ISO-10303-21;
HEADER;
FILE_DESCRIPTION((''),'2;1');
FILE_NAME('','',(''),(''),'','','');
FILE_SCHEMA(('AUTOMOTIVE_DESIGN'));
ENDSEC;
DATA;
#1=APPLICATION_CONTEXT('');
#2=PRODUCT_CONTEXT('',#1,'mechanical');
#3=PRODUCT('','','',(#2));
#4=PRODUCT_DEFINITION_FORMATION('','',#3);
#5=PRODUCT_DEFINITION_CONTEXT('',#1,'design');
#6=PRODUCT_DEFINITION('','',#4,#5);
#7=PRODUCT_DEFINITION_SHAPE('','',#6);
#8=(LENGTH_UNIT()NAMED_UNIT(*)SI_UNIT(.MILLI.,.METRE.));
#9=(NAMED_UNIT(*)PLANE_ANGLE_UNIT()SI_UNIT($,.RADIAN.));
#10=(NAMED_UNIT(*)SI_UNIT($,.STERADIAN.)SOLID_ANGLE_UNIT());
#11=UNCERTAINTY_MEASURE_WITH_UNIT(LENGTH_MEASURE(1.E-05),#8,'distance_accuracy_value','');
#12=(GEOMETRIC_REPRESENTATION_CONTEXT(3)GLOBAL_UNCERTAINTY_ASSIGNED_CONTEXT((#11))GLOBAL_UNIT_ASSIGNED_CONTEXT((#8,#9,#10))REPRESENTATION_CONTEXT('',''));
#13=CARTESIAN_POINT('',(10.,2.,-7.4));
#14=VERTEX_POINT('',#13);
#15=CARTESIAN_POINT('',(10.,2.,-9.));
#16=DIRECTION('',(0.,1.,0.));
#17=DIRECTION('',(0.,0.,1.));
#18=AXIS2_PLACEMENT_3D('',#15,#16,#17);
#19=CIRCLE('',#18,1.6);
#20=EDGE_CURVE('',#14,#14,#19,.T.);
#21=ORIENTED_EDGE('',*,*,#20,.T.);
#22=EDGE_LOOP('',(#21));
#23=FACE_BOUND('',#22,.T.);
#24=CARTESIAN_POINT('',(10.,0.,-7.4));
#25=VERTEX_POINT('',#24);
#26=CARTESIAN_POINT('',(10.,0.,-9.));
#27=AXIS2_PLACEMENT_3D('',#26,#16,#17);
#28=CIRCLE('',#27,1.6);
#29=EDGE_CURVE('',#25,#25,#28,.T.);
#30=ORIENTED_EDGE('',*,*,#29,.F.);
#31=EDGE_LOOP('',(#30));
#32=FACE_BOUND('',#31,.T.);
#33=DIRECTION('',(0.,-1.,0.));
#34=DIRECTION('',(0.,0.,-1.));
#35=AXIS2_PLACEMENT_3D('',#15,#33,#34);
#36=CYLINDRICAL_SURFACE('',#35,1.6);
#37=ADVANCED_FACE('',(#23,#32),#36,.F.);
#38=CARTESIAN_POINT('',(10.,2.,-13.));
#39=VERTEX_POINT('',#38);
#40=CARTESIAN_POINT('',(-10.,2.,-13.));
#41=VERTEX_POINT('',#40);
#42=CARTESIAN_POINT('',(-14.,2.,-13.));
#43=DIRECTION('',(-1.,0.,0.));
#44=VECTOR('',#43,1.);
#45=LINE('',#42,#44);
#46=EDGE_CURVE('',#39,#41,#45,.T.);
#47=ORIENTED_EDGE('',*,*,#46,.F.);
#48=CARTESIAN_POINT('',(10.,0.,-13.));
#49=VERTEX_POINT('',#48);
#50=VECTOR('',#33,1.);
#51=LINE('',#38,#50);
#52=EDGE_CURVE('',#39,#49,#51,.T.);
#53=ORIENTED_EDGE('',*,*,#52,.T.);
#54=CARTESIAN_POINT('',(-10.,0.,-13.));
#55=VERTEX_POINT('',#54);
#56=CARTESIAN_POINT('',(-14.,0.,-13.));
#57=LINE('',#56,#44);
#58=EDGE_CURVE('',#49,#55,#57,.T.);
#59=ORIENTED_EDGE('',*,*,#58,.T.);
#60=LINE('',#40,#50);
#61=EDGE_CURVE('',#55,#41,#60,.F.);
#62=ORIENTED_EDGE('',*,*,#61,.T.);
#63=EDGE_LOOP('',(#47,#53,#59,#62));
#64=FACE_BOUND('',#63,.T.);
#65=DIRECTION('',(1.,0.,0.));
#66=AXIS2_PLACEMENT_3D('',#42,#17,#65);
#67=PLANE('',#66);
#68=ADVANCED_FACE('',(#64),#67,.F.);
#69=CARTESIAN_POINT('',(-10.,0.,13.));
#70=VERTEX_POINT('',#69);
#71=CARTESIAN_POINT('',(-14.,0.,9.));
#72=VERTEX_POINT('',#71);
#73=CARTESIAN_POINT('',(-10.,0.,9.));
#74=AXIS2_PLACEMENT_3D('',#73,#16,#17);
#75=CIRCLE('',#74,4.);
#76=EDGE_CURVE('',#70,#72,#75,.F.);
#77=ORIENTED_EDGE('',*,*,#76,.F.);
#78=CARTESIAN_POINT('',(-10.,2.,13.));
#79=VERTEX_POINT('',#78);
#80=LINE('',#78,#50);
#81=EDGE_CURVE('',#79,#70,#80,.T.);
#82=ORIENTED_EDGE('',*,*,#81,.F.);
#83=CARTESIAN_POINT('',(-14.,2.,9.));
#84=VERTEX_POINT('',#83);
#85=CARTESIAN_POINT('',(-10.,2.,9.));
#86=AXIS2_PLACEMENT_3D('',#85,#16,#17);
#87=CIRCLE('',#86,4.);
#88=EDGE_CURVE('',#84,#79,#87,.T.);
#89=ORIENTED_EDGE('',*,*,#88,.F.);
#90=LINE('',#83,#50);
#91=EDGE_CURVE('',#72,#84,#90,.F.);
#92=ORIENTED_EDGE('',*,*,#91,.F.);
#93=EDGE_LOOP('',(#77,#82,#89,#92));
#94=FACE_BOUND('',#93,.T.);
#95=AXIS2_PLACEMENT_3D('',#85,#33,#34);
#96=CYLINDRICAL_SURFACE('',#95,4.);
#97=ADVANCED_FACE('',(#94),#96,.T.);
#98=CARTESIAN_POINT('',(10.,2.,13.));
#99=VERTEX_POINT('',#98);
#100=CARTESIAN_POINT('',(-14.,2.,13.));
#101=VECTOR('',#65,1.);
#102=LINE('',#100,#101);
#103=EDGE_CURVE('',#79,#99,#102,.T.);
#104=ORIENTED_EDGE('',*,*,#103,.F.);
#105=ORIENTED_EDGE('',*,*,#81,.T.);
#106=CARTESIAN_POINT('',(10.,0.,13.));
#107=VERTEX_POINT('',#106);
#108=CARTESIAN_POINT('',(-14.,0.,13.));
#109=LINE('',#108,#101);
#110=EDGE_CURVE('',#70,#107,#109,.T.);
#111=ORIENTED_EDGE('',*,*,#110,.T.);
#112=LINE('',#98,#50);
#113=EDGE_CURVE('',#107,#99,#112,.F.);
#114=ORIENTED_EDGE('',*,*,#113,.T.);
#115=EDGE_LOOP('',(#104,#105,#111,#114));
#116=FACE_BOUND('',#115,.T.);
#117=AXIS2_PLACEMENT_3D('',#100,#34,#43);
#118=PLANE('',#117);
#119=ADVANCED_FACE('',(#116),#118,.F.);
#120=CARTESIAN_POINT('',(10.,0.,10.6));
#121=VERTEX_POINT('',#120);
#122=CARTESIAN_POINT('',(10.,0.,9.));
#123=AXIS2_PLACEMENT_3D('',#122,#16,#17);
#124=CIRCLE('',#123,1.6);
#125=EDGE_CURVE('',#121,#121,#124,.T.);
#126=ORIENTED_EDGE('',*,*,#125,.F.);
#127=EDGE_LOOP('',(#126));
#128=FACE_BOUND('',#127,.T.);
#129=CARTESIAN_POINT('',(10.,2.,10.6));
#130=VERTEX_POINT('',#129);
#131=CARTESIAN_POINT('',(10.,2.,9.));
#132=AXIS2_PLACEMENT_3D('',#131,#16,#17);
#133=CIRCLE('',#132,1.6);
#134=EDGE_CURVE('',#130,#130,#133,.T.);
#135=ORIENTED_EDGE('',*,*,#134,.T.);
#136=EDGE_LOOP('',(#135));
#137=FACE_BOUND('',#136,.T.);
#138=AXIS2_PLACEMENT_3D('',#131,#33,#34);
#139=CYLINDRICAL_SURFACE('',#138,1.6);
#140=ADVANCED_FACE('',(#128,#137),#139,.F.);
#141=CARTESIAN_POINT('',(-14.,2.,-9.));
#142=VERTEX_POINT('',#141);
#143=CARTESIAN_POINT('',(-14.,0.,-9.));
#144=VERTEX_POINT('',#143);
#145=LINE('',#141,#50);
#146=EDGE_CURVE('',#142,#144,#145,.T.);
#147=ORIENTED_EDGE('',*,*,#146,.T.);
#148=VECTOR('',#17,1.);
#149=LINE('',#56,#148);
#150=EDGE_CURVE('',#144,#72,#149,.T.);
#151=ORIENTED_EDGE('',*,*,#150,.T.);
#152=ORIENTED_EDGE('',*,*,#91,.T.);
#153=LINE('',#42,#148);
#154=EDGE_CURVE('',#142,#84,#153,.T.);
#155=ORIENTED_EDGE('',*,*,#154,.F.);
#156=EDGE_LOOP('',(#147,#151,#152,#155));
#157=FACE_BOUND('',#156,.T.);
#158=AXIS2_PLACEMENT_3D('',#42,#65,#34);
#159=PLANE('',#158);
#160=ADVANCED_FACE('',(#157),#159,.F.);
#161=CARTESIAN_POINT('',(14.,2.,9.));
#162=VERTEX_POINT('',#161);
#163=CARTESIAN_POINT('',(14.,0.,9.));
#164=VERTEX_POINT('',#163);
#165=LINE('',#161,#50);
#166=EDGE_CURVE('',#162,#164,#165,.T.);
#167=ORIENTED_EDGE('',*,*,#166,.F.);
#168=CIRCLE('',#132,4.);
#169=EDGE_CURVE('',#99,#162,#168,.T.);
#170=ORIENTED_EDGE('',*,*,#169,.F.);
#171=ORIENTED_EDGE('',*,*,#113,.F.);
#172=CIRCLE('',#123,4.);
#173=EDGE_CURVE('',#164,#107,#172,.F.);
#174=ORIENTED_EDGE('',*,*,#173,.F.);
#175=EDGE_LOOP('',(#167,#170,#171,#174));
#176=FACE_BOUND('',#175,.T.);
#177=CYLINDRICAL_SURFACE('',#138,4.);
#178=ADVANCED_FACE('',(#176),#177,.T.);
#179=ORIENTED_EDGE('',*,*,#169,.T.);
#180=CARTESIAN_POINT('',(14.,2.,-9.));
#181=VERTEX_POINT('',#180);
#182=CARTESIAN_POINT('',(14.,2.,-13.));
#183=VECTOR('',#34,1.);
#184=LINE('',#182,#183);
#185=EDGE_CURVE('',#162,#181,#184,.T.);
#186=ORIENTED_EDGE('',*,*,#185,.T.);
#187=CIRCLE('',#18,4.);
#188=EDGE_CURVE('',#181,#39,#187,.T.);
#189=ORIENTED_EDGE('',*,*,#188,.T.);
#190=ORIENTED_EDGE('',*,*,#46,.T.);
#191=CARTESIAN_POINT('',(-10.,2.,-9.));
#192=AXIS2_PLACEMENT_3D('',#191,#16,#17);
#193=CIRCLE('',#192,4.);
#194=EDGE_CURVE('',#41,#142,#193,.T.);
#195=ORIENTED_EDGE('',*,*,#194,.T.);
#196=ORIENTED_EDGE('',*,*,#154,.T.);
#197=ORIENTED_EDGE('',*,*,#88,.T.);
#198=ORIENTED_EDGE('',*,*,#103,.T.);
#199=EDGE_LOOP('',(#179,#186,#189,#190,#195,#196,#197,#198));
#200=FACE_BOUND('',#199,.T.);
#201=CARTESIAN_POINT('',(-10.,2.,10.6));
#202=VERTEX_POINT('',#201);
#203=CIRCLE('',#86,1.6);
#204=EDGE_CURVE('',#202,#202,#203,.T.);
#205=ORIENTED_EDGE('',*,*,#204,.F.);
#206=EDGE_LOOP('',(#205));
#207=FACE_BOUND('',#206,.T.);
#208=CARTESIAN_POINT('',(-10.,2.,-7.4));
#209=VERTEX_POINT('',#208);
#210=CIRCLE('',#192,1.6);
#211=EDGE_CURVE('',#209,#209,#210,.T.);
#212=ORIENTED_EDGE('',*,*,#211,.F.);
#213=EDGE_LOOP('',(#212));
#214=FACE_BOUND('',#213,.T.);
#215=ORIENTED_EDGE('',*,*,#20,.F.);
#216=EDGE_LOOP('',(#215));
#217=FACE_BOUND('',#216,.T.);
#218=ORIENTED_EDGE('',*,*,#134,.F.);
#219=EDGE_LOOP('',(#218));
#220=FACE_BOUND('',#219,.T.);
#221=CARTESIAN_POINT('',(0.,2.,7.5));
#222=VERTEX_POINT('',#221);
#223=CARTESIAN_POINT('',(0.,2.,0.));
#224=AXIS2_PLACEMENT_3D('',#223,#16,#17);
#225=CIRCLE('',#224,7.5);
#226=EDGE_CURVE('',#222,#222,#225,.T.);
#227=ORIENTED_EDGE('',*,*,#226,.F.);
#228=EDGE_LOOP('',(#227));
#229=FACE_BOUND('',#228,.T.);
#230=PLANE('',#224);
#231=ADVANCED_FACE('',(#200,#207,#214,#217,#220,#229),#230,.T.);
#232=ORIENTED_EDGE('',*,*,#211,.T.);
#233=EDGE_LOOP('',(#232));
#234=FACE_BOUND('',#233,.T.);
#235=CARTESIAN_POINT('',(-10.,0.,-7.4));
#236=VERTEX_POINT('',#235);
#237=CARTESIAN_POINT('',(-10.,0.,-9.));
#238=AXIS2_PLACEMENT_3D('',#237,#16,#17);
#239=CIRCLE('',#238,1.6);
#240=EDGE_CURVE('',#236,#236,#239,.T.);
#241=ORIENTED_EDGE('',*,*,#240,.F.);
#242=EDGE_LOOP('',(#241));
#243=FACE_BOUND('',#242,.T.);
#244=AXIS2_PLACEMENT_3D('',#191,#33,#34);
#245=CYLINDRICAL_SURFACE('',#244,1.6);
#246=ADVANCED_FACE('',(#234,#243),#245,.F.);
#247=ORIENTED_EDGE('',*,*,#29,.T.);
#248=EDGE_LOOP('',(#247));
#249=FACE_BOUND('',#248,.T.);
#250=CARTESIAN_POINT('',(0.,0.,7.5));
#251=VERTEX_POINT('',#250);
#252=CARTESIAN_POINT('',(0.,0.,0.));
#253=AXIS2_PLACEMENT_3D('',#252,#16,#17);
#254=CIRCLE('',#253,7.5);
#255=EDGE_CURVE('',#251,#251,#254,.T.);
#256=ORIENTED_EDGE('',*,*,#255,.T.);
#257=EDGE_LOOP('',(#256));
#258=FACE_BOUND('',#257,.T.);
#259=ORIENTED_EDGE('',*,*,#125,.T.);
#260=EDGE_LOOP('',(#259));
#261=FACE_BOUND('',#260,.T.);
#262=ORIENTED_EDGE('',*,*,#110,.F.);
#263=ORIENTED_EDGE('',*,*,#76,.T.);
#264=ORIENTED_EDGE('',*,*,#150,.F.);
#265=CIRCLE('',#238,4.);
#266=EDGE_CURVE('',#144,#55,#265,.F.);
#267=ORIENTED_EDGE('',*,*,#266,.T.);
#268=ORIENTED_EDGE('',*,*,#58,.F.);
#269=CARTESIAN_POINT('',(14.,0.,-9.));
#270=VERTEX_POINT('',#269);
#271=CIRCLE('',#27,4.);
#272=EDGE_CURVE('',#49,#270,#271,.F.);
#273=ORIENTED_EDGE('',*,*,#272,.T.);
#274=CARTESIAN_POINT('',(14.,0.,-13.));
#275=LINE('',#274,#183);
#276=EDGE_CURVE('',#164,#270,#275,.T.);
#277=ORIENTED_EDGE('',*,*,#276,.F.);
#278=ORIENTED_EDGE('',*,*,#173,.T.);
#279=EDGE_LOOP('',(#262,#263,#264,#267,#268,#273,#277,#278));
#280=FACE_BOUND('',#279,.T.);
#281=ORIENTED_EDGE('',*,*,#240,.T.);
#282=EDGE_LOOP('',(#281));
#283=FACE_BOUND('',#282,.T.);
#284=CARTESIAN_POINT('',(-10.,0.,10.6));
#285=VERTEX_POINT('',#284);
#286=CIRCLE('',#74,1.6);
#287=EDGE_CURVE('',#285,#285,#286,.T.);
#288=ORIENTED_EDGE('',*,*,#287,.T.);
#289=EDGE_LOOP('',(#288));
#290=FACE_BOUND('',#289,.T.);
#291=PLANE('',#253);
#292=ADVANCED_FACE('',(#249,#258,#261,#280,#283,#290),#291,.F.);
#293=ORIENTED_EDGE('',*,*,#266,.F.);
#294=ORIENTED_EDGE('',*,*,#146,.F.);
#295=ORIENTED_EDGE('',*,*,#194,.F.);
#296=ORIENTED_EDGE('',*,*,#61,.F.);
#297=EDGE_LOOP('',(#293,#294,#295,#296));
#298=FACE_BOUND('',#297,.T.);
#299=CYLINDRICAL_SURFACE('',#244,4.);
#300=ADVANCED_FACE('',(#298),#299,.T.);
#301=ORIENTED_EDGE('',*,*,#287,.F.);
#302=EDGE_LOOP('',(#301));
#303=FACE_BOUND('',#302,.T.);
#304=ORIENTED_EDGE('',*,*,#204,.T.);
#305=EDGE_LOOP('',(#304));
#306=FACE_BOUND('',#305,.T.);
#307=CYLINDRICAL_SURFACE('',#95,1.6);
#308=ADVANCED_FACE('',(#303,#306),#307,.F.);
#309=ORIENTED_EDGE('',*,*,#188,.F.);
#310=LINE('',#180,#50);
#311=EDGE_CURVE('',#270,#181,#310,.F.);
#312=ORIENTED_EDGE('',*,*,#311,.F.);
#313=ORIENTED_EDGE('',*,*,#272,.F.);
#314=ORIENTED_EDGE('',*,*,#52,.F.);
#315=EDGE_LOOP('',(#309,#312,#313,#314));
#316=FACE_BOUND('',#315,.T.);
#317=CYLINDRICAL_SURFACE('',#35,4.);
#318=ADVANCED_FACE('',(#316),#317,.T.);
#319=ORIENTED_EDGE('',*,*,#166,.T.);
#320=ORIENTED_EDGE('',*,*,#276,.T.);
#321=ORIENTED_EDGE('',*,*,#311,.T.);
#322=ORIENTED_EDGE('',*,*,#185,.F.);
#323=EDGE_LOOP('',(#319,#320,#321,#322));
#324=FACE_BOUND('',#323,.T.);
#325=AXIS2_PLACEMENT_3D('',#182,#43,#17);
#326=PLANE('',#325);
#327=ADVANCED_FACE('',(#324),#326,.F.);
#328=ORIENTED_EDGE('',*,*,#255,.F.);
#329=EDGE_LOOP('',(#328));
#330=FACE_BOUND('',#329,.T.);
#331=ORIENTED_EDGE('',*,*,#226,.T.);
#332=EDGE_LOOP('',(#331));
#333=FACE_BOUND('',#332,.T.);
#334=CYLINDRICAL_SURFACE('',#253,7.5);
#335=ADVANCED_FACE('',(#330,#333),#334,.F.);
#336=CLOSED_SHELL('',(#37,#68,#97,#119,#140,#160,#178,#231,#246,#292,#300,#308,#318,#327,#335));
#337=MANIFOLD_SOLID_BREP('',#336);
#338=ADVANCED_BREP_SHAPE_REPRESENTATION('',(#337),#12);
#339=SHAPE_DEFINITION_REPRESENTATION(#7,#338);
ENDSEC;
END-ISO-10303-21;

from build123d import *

# Parameters (mm, degrees)
SKETCH_1_W          = 28
SKETCH_1_H          = 26
SKETCH_1_R          = 1.6
EXTRUDE_1_DEPTH     = 2
SKETCH_2_R          = 7.5
CUT_EXTRUDE_1_DEPTH = 2
FILLET_1_R          = 4


with BuildPart() as part:
    # 草图1 → 凸台-拉伸1 (new body)
    with BuildSketch(Plane(origin=(0, 0, 0), x_dir=(1, 0, 0), z_dir=(0, 1, 0))):
        Rectangle(SKETCH_1_W, SKETCH_1_H)
        with Locations(Location((10, -9, 0), (0, 0, 270))):
            Circle(SKETCH_1_R, mode=Mode.SUBTRACT)
        with Locations(Location((-10, -9, 0), (0, 0, 270))):
            Circle(SKETCH_1_R, mode=Mode.SUBTRACT)
        with Locations(Location((-10, 9, 0), (0, 0, 270))):
            Circle(SKETCH_1_R, mode=Mode.SUBTRACT)
        with Locations(Location((10, 9, 0), (0, 0, 270))):
            Circle(SKETCH_1_R, mode=Mode.SUBTRACT)
    extrude(amount=EXTRUDE_1_DEPTH)

    # 草图2 → 切除-拉伸1 (cut)
    with BuildSketch(Plane(origin=(0, 2, 0), x_dir=(1, 0, 0), z_dir=(0, 1, 0))):
        with Locations(Location((0, 0, 0), (0, 0, 270))):
            Circle(SKETCH_2_R)
    extrude(amount=-CUT_EXTRUDE_1_DEPTH, mode=Mode.SUBTRACT)

    # 圆角1
    fillet_1_edges = [part.edges().sort_by_distance(p)[0] for p in [
        (14, 1, 13),
        (-14, 1, 13),
        (-14, 1, -13),
        (14, 1, -13),
    ]]
    fillet(fillet_1_edges, radius=FILLET_1_R)


solid = part.part
